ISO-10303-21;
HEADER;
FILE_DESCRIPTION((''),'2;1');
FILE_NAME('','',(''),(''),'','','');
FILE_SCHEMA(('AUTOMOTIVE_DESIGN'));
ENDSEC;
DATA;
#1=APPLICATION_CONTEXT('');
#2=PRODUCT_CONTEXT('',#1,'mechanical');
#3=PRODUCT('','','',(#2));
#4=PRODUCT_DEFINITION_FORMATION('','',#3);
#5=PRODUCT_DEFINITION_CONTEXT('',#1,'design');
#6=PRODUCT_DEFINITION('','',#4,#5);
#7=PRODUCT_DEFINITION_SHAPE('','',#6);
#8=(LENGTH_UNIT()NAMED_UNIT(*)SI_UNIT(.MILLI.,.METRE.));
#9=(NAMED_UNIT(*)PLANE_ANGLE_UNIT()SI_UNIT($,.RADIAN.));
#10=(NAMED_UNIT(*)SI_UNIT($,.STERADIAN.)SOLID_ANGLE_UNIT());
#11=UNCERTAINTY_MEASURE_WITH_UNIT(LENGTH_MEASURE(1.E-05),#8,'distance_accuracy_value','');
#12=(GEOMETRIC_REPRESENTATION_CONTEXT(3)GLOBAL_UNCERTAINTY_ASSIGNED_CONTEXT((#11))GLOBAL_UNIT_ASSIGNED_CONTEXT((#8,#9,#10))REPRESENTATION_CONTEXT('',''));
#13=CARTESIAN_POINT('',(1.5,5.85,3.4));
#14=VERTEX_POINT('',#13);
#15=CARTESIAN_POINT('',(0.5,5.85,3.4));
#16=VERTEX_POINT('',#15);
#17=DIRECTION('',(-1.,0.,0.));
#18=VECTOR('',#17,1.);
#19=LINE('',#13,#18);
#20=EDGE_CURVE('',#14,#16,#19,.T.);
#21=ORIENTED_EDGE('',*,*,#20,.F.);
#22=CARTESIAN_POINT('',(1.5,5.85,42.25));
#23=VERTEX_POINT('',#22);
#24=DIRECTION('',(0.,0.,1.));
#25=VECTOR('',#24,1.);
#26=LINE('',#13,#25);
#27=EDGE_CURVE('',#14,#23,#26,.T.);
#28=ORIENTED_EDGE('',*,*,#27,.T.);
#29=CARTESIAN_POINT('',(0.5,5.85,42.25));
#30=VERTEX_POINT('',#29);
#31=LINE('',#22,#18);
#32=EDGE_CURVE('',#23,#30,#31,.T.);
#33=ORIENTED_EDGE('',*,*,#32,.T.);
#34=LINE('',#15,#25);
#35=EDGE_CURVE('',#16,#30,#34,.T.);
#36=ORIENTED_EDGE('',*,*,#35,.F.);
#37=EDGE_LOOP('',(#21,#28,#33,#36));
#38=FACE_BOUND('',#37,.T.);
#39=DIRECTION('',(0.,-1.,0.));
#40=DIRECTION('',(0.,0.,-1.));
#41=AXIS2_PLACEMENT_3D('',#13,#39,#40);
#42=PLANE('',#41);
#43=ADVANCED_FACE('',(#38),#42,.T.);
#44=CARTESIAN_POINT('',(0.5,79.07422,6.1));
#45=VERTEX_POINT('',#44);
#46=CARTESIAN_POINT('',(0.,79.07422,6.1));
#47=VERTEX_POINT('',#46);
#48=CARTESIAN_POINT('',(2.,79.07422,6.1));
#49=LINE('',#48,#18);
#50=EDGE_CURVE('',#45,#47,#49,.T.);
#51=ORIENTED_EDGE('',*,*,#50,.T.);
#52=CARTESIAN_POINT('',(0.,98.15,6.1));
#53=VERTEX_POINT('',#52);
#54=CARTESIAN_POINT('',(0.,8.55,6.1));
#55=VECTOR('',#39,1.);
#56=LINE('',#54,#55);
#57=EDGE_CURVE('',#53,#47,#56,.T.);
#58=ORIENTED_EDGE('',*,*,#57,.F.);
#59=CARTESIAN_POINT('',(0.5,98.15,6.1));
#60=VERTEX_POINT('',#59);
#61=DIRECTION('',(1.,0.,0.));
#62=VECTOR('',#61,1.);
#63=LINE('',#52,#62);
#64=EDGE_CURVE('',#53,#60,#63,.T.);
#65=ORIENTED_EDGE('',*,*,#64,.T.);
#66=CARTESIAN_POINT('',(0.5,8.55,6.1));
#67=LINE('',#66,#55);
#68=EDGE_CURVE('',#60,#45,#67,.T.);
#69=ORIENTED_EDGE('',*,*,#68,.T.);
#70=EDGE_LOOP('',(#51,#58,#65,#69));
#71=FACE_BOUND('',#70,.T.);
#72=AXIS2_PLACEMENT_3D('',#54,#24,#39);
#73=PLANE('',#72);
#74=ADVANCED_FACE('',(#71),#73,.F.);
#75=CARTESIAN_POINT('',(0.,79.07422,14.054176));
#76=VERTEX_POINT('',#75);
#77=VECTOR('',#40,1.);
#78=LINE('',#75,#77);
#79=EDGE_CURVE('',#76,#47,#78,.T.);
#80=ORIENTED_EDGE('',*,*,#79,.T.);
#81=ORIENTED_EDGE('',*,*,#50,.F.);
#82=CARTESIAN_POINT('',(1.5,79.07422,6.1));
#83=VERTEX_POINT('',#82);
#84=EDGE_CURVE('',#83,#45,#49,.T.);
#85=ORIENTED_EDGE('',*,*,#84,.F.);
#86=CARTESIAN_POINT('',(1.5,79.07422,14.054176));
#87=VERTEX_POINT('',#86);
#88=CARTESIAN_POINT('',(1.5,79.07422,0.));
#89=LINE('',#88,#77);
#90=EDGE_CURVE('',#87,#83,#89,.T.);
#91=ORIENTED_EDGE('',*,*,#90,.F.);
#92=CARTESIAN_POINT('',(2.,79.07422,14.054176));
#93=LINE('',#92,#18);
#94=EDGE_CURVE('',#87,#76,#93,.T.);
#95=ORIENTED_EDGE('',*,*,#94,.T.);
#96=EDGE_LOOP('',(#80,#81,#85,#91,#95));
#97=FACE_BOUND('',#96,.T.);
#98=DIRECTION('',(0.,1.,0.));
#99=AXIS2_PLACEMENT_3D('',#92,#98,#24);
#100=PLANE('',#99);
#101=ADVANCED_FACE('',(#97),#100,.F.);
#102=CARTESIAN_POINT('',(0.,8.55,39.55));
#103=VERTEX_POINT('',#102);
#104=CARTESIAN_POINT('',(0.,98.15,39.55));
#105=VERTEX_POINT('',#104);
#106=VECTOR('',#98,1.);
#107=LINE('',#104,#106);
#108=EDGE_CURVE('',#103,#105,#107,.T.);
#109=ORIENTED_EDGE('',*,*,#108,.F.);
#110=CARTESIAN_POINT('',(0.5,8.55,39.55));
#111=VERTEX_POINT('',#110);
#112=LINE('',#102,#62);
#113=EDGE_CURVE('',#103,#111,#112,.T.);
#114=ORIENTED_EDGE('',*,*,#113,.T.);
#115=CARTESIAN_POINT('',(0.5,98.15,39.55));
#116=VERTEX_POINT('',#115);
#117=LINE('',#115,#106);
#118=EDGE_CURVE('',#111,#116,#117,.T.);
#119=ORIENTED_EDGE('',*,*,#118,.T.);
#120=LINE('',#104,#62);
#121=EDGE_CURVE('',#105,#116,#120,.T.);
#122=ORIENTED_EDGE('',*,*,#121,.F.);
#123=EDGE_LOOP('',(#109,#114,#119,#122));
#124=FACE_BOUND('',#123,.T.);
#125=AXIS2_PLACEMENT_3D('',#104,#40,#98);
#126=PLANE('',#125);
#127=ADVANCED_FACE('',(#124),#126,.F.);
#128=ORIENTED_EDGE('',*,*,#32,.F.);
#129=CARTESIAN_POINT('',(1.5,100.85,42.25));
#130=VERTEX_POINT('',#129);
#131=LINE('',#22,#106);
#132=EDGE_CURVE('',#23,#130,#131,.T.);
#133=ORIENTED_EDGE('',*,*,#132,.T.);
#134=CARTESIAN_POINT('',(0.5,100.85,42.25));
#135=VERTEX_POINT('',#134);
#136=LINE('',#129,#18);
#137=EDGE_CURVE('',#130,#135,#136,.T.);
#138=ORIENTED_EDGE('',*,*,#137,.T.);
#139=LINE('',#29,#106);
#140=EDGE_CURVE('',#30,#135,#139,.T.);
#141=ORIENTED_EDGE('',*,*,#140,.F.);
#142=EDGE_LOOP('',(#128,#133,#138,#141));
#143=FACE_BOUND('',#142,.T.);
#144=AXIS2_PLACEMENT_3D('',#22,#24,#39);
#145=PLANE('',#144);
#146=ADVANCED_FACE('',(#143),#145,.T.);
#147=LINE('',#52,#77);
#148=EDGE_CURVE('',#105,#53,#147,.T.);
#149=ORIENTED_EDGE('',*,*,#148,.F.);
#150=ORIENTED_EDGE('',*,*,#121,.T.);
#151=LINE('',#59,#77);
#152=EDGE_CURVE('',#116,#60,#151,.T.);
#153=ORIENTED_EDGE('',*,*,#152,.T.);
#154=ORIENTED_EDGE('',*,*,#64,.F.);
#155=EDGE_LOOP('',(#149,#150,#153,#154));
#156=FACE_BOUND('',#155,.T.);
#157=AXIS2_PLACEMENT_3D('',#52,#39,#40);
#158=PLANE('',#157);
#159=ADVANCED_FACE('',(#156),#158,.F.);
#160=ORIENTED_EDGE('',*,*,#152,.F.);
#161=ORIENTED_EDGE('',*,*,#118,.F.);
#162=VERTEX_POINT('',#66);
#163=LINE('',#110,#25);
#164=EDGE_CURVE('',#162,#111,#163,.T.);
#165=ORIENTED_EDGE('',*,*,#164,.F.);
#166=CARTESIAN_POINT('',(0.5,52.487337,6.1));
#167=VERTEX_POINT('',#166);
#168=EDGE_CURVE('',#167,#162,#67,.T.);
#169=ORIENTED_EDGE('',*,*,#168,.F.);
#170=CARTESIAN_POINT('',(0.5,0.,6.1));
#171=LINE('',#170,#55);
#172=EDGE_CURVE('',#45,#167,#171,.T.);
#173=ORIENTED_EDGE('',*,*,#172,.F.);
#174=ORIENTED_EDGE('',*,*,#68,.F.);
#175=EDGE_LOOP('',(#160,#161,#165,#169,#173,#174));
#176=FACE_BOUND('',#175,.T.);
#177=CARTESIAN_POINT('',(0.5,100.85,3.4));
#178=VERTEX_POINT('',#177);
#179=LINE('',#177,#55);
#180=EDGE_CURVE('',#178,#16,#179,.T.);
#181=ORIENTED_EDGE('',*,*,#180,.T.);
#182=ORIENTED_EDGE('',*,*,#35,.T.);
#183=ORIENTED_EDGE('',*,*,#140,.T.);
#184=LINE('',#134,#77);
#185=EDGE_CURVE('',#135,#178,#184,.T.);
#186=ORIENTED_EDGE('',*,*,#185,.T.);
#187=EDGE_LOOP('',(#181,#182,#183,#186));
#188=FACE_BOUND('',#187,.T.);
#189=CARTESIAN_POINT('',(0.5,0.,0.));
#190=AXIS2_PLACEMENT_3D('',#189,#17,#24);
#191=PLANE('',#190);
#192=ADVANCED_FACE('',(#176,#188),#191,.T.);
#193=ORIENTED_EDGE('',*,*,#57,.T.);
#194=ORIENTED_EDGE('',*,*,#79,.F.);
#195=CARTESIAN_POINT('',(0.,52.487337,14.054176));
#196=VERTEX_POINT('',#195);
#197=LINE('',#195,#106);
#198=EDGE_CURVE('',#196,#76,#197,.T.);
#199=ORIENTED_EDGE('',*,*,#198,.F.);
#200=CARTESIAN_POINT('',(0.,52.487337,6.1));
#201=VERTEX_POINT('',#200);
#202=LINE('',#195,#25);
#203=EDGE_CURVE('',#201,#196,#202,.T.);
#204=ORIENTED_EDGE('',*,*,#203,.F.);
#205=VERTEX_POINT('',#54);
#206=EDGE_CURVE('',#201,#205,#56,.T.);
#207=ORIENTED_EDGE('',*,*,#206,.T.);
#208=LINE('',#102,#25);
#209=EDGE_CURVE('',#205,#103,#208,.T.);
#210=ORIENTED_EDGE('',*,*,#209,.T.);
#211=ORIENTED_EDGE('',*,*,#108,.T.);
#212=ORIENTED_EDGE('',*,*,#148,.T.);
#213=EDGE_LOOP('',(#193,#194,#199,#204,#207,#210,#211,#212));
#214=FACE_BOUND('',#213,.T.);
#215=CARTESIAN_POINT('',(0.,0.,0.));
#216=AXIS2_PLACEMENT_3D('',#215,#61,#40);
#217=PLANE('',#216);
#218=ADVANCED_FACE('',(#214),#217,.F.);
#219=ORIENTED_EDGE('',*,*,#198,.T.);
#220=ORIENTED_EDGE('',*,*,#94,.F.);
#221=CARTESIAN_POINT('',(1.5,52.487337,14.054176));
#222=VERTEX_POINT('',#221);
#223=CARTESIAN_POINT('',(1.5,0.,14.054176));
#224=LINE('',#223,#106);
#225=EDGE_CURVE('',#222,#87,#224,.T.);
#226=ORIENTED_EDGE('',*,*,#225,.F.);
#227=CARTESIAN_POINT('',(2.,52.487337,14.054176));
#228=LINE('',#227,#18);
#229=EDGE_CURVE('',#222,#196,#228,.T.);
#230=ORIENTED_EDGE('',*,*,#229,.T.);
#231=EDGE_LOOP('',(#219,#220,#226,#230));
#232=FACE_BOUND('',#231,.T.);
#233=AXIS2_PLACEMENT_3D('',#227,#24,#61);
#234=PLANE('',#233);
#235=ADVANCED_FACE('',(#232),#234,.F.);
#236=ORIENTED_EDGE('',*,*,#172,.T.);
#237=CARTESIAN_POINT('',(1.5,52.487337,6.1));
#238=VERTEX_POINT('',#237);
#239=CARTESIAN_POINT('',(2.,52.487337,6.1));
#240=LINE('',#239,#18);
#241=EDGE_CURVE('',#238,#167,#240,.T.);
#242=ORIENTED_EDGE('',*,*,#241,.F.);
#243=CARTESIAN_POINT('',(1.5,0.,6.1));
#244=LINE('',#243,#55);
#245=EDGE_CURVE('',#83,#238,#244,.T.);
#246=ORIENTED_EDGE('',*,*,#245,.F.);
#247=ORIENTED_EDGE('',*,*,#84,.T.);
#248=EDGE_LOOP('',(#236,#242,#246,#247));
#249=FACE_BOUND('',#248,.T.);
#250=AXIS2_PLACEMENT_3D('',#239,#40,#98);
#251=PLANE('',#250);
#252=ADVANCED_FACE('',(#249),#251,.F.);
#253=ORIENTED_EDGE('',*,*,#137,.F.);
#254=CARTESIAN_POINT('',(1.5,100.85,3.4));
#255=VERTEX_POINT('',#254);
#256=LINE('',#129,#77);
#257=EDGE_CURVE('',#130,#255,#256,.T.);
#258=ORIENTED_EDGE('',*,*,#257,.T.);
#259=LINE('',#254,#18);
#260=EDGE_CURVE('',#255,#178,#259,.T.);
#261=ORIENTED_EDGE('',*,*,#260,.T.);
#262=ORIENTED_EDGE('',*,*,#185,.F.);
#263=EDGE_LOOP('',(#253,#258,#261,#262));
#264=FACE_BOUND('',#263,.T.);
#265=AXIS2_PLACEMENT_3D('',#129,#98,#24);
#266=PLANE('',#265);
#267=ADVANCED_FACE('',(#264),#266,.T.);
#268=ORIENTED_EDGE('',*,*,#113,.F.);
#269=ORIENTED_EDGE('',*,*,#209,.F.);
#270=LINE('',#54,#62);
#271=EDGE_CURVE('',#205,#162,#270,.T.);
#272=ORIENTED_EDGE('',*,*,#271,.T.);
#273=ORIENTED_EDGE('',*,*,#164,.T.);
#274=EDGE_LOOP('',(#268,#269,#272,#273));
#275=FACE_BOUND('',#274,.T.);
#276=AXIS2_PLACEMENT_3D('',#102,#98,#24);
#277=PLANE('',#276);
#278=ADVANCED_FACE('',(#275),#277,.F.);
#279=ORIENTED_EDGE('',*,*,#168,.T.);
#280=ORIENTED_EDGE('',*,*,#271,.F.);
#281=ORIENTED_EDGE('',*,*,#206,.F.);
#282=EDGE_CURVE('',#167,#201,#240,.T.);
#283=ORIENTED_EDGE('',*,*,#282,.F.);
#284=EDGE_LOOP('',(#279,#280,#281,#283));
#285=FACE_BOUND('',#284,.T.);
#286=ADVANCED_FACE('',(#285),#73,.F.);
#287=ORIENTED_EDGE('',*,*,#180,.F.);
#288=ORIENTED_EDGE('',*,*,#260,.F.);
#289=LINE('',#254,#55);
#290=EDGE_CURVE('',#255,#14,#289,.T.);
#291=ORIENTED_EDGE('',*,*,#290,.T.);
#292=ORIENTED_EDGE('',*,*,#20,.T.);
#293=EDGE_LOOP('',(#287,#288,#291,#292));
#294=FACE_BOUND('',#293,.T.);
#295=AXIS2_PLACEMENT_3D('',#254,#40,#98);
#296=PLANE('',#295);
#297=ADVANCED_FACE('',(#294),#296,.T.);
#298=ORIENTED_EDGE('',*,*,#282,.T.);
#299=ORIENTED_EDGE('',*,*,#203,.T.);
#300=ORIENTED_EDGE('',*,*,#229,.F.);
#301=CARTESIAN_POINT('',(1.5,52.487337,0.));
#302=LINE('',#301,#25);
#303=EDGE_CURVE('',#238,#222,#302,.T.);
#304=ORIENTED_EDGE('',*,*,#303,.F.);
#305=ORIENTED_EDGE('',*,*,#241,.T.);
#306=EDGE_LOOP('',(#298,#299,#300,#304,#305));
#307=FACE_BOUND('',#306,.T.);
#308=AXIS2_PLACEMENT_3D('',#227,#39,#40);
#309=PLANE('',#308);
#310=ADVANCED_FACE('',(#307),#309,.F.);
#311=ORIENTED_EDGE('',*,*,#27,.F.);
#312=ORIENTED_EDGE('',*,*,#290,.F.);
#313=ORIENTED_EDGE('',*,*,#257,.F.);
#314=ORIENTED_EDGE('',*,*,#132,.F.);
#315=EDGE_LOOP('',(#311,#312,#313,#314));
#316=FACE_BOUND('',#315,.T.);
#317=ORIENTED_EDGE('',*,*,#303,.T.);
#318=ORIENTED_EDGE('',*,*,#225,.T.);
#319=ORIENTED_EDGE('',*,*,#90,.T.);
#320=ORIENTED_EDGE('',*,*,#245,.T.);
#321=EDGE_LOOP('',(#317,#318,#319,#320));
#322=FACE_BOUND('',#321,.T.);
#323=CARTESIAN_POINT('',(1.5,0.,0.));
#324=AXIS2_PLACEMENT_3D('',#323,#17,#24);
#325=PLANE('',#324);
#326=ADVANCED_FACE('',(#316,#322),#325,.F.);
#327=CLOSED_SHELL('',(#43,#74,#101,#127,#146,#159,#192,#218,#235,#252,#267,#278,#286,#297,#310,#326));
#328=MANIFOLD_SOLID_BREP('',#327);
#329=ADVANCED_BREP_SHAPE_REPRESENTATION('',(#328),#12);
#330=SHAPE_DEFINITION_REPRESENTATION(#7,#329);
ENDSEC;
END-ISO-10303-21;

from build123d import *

# Parameters (mm, degrees)
SKETCH_1_W          = 95
SKETCH_1_H          = 38.85
EXTRUDE_1_DEPTH     = 1
SKETCH_2_W          = 33.45
SKETCH_2_H          = 89.6
EXTRUDE_2_DEPTH     = 0.5
SKETCH_3_W          = 7.954176302
SKETCH_3_H          = 26.586882205
CUT_EXTRUDE_1_DEPTH = 2


with BuildPart() as part:
    # Эскиз1 → Бобышка-Вытянуть1 (new body)
    with BuildSketch(Plane(origin=(0.5, 0, 0), x_dir=(0, -1, 0), z_dir=(-1, 0, 0))):
        with Locations((-53.35, 22.825)):
            Rectangle(SKETCH_1_W, SKETCH_1_H)
    extrude(amount=-EXTRUDE_1_DEPTH)

    # Эскиз2 → Бобышка-Вытянуть2 (add)
    with BuildSketch(Plane.ZY.offset(-0.5)):
        with Locations((22.825, 53.35)):
            Rectangle(SKETCH_2_W, SKETCH_2_H)
    extrude(amount=EXTRUDE_2_DEPTH)

    # Эскиз3 → Вырез-Вытянуть1 (cut)
    with BuildSketch(Plane.ZY):
        with Locations((10.077088151, 65.780778583)):
            Rectangle(SKETCH_3_W, SKETCH_3_H)
    extrude(amount=-CUT_EXTRUDE_1_DEPTH, mode=Mode.SUBTRACT)


solid = part.part
